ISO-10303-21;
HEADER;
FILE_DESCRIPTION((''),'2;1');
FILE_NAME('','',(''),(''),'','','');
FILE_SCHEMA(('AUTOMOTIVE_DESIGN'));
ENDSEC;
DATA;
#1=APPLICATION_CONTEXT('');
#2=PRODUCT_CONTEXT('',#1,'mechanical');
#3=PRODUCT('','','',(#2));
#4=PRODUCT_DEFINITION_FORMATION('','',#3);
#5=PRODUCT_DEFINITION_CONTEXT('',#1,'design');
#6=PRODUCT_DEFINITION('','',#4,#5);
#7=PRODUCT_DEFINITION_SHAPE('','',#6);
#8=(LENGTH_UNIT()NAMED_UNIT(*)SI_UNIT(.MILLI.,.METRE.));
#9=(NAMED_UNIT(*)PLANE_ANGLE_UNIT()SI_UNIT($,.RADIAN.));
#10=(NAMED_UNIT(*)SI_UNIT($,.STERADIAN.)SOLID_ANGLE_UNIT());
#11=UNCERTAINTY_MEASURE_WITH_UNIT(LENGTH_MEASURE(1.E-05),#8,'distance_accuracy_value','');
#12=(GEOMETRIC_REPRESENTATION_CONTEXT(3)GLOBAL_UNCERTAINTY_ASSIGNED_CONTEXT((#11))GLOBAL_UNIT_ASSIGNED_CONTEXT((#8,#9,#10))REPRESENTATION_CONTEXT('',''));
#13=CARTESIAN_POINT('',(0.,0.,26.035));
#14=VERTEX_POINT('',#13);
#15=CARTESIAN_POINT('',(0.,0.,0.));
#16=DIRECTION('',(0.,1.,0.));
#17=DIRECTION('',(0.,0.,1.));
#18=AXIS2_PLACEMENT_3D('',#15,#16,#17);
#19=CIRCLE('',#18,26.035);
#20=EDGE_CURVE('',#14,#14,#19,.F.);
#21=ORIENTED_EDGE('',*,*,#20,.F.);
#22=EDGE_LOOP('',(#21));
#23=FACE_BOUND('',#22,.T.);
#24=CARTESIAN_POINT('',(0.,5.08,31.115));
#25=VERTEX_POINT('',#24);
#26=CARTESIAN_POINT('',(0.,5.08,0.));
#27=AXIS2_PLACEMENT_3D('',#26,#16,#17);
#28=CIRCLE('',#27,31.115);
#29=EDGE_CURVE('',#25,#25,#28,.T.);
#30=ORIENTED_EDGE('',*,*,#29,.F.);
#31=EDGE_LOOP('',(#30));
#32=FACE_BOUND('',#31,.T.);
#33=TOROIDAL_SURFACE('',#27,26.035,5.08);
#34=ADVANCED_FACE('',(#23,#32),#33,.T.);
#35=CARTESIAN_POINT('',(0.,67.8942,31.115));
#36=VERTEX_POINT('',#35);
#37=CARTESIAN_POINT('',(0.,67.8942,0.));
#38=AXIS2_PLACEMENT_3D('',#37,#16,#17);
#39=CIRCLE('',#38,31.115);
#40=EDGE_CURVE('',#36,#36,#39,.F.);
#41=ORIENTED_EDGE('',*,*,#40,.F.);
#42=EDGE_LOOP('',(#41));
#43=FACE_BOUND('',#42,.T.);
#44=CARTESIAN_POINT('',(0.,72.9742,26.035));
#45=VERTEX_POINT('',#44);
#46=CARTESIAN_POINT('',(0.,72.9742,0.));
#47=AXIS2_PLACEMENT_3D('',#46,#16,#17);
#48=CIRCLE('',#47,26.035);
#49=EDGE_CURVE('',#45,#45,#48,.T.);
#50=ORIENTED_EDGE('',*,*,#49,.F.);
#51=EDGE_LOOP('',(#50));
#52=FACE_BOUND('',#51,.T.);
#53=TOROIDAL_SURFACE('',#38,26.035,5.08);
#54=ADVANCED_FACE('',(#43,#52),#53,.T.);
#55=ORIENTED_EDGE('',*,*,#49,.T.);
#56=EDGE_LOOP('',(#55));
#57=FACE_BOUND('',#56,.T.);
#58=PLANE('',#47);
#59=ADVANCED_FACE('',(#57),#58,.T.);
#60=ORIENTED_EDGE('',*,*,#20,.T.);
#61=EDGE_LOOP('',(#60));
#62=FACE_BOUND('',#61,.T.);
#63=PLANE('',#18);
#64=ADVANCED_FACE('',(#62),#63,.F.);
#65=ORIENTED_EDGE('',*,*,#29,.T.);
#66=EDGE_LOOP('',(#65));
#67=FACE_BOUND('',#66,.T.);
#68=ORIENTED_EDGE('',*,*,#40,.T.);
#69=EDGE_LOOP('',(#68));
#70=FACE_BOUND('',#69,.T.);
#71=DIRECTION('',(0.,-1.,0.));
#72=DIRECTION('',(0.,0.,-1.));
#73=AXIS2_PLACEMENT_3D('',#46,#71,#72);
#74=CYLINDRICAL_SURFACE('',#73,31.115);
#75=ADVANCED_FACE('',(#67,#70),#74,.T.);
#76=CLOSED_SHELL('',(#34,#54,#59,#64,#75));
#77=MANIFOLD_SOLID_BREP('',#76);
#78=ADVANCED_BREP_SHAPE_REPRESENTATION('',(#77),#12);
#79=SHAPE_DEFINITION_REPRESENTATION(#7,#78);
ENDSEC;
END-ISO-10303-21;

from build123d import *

# Parameters (mm, degrees)
SKETCH1_R           = 31.115
BOSS_EXTRUDE1_DEPTH = 72.9742
FILLET1_R           = 5.08


with BuildPart() as part:
    # Sketch1 → Boss-Extrude1 (new body)
    with BuildSketch(Plane(origin=(0, 0, 0), x_dir=(1, 0, 0), z_dir=(0, 1, 0))):
        Circle(SKETCH1_R)
    extrude(amount=BOSS_EXTRUDE1_DEPTH)

    # Fillet1
    fillet1_edges = [part.edges().sort_by_distance(p)[0] for p in [
        (-31.115, 0, 0),
        (-31.115, 72.9742, 0),
    ]]
    fillet(fillet1_edges, radius=FILLET1_R)


solid = part.part
